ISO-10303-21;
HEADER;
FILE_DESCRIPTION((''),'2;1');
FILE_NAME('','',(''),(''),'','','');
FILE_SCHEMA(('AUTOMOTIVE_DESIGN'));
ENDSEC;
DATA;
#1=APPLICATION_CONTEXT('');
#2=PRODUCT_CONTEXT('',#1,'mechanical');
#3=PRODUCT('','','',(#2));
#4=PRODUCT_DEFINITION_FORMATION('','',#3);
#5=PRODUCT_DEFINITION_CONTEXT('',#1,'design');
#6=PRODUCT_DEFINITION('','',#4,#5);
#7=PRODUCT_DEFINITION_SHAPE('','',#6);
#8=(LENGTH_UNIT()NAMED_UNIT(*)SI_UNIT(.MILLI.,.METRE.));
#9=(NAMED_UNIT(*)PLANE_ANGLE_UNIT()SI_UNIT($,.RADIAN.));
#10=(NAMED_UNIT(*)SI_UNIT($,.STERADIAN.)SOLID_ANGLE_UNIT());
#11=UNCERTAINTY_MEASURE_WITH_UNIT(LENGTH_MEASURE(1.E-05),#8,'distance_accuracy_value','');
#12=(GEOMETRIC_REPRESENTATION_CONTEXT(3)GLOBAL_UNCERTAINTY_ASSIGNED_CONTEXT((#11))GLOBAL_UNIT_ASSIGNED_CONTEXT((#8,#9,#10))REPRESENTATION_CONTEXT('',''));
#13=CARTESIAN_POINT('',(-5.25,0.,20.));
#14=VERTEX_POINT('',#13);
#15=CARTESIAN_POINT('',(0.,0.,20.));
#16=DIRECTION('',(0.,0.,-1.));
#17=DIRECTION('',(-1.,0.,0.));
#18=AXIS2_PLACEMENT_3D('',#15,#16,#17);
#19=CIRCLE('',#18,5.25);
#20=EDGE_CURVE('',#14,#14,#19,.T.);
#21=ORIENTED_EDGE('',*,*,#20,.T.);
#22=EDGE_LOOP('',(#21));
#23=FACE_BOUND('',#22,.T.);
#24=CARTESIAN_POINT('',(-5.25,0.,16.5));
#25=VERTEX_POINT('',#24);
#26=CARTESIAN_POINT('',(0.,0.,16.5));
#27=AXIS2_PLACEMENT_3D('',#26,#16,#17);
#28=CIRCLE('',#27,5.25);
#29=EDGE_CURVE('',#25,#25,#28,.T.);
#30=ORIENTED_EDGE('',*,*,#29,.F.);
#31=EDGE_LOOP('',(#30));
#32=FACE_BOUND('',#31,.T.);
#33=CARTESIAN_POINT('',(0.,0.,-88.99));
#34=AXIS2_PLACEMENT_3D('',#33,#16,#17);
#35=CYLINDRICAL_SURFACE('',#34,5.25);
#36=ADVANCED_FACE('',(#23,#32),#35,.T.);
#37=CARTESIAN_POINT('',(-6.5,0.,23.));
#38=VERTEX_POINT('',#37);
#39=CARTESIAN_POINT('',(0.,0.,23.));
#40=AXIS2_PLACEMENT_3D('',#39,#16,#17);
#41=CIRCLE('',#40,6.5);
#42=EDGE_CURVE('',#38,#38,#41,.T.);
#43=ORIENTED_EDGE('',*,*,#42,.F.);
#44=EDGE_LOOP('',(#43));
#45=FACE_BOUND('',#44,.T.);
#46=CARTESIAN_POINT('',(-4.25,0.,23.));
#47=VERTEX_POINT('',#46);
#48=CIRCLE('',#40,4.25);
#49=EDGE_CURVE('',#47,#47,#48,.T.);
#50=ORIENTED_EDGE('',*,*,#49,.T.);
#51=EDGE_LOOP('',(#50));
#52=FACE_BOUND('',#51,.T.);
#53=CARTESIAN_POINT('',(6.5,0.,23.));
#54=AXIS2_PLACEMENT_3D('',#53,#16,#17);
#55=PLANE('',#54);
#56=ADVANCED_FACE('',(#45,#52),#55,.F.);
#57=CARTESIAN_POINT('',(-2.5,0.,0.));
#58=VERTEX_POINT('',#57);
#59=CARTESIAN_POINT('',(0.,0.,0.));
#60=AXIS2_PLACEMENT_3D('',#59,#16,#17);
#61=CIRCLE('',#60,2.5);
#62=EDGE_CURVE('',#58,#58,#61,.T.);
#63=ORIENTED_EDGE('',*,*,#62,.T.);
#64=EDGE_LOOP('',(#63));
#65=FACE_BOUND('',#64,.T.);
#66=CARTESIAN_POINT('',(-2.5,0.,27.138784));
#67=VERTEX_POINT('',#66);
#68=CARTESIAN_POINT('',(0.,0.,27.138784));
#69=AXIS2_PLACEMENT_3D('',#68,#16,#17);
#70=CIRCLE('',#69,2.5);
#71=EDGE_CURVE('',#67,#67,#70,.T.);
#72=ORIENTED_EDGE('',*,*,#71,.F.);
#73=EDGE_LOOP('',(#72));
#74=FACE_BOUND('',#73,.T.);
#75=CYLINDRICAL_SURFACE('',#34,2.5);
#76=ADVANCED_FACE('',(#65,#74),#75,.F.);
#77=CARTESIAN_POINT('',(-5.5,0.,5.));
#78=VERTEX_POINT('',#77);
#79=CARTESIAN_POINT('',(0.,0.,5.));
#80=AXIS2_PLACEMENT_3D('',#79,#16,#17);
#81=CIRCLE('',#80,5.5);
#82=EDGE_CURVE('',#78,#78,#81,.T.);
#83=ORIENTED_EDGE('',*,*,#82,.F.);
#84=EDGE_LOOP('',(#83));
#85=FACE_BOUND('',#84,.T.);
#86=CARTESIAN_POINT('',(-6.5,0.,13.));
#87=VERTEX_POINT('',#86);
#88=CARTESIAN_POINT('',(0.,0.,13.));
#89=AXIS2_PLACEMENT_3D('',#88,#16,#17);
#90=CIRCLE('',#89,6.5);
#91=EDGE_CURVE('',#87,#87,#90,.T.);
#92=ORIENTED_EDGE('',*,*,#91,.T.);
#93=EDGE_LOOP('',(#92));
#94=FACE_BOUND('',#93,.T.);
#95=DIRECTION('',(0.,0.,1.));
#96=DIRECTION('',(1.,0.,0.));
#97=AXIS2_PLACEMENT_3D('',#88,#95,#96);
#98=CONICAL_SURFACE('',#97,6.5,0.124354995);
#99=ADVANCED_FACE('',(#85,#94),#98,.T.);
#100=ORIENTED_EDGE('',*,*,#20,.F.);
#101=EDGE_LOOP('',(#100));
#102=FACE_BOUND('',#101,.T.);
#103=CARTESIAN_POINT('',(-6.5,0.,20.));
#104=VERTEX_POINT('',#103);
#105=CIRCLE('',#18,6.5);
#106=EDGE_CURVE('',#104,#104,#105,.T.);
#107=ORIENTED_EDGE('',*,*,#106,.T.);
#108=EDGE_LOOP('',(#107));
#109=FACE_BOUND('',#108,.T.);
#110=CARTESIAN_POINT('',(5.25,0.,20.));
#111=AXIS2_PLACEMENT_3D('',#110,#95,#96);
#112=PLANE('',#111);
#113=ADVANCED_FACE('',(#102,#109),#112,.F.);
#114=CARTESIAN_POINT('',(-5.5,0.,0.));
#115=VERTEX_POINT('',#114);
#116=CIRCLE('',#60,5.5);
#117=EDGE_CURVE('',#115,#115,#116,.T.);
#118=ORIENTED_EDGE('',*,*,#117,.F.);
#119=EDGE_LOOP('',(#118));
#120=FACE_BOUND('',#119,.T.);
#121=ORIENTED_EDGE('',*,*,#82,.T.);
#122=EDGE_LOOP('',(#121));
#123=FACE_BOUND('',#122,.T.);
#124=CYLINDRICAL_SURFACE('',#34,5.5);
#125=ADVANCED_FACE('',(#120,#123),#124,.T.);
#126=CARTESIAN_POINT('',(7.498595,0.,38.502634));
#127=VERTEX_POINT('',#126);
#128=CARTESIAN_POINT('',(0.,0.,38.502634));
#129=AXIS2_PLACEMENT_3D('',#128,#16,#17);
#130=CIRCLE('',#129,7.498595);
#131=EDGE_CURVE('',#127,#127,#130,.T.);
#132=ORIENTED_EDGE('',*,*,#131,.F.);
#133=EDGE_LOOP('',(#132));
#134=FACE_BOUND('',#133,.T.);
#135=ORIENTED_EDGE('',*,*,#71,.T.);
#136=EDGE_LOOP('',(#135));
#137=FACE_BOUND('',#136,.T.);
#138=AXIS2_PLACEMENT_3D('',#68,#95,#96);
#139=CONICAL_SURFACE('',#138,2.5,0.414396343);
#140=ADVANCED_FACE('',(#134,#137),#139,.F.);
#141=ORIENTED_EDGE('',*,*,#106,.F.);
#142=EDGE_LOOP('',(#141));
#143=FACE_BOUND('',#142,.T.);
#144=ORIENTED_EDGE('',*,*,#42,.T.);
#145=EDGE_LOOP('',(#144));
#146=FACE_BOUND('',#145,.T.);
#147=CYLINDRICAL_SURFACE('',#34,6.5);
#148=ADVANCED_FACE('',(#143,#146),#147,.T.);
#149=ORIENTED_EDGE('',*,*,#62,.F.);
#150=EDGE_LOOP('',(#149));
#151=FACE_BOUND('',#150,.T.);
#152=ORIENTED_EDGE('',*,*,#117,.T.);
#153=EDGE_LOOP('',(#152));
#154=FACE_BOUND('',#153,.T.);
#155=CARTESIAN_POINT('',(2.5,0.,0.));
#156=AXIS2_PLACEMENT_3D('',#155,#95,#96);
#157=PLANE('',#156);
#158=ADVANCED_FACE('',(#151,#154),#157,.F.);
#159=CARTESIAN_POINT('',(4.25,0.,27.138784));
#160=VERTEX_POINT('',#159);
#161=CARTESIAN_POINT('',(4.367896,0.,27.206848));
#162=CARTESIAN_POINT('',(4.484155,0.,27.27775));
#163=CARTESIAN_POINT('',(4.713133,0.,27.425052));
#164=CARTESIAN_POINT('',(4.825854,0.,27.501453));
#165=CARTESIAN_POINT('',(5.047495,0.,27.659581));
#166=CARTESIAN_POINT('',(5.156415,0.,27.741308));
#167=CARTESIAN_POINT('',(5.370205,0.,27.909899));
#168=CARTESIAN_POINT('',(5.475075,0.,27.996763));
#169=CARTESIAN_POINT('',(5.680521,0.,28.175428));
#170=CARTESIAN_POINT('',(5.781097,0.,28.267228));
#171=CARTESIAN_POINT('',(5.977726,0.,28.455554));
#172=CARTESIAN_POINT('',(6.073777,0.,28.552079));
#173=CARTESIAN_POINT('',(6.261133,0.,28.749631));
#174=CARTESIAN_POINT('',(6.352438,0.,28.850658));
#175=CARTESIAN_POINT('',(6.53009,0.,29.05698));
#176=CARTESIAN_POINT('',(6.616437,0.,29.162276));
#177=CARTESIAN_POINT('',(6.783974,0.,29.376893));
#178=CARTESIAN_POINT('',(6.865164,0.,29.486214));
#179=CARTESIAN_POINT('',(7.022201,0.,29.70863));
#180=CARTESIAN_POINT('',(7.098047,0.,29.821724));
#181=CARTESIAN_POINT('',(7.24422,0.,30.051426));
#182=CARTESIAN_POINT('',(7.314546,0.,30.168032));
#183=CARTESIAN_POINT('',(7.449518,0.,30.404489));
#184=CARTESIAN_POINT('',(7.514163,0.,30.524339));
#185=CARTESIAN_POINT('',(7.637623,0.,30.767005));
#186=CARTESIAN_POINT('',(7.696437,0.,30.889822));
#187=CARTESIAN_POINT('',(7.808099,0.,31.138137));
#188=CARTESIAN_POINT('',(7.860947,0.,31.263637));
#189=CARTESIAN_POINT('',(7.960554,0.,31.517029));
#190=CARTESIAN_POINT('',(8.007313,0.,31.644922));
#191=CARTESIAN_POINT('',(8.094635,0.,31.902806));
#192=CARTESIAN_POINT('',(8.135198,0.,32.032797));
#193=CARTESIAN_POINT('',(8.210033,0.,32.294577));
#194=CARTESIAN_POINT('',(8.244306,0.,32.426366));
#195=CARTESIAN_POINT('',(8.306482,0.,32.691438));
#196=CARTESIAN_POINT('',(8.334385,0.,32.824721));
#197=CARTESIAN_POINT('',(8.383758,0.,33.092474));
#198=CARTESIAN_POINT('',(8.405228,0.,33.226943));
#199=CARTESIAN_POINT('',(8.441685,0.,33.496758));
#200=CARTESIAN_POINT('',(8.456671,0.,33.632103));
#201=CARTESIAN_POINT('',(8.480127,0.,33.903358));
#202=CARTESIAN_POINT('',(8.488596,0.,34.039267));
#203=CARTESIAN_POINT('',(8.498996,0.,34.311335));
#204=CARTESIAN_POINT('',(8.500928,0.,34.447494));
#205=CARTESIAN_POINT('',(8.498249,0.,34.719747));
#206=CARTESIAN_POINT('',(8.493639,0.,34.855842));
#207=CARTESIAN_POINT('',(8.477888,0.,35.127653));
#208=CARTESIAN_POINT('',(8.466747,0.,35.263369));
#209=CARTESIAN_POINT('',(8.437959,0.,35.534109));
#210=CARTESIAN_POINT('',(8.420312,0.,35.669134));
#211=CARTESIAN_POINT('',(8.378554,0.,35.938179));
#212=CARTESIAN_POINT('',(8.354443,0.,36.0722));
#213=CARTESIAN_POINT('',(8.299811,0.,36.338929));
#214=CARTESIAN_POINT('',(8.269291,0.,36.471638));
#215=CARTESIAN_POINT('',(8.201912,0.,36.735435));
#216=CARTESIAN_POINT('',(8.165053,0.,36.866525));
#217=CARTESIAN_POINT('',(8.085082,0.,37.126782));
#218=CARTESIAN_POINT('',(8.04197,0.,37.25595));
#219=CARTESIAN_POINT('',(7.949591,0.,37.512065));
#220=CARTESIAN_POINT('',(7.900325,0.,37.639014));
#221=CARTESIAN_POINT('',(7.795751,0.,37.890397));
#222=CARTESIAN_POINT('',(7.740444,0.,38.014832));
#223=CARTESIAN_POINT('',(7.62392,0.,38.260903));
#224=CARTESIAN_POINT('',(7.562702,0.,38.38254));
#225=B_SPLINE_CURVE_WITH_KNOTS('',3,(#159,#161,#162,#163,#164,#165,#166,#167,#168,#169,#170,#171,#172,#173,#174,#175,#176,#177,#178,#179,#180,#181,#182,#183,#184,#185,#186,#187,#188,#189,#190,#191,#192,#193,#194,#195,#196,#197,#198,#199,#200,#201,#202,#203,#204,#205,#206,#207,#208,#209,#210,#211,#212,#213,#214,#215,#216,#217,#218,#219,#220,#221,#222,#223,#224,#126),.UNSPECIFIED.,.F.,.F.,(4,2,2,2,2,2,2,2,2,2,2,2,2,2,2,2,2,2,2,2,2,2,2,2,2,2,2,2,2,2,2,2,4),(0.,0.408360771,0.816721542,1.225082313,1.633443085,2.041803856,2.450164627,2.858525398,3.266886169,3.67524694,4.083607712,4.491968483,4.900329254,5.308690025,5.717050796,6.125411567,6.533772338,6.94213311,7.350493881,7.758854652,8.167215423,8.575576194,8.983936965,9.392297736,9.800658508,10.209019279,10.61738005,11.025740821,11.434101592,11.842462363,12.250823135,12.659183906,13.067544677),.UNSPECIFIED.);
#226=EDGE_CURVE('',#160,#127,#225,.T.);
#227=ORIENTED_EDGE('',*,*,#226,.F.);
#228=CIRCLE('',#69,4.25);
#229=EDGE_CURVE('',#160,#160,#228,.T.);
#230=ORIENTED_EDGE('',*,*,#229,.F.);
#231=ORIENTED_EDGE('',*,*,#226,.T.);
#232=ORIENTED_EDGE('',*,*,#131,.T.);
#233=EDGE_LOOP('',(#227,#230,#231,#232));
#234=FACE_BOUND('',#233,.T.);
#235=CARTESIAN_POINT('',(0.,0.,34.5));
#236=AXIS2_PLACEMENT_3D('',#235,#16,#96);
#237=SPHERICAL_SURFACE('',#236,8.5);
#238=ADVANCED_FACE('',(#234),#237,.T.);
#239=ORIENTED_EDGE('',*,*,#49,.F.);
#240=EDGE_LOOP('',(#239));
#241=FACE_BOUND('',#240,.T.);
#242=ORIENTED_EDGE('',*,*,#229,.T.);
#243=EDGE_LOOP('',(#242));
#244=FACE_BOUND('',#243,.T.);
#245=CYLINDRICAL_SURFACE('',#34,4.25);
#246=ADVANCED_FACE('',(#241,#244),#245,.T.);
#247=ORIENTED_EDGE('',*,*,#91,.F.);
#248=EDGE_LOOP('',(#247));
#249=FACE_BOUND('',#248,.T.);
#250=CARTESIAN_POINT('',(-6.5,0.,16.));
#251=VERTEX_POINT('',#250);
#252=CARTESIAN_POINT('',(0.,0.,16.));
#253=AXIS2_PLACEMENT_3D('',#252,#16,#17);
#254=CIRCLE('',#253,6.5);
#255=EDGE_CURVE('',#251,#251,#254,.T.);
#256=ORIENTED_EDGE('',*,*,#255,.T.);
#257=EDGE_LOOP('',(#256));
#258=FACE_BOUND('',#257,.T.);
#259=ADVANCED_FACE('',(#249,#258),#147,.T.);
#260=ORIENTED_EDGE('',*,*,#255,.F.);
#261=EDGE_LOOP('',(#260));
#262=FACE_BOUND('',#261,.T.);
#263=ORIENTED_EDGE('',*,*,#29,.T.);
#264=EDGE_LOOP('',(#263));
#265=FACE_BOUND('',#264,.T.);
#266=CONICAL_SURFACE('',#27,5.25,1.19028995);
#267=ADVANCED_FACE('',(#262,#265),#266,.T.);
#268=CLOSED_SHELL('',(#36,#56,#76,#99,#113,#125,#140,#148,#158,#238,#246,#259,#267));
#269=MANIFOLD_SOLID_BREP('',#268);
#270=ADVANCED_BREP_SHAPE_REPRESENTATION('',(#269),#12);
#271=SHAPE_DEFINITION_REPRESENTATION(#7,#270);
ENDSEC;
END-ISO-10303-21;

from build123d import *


with BuildPart() as part:
    # Sketch3 → Revolve1 (revolve)
    with BuildSketch(Plane(origin=(0, 0, 0), x_dir=(1, 0, 0), z_dir=(0, 1, 0)), mode=Mode.PRIVATE) as revolve1_sk:
        with BuildLine():
            Line((2.5, 0), (5.5, 0))
            Line((5.5, 0), (5.5, -5))
            Line((5.5, -5), (6.5, -13))
            Line((6.5, -13), (6.5, -16))
            Line((6.5, -16), (5.25, -16.5))
            Line((5.25, -16.5), (5.25, -20))
            Line((5.25, -20), (6.5, -20))
            Line((6.5, -20), (6.5, -23))
            Line((6.5, -23), (4.25, -23))
            Line((4.25, -23), (4.25, -26))
            Line((4.25, -26), (4.25, -27.138784068))
            ThreePointArc((4.25, -27.138784068), (8.172615224, -32.16368658), (7.498594715, -38.502633796))
            Line((7.498594715, -38.502633796), (2.5, -27.138784068))
            Line((2.5, -27.138784068), (2.5, 0))
        make_face()
    revolve(revolve1_sk.sketch.rotate(Axis((0, 0, -88.99), (0, 0, 1)), 180), axis=Axis((0, 0, -88.99), (0, 0, 1)))


solid = part.part
